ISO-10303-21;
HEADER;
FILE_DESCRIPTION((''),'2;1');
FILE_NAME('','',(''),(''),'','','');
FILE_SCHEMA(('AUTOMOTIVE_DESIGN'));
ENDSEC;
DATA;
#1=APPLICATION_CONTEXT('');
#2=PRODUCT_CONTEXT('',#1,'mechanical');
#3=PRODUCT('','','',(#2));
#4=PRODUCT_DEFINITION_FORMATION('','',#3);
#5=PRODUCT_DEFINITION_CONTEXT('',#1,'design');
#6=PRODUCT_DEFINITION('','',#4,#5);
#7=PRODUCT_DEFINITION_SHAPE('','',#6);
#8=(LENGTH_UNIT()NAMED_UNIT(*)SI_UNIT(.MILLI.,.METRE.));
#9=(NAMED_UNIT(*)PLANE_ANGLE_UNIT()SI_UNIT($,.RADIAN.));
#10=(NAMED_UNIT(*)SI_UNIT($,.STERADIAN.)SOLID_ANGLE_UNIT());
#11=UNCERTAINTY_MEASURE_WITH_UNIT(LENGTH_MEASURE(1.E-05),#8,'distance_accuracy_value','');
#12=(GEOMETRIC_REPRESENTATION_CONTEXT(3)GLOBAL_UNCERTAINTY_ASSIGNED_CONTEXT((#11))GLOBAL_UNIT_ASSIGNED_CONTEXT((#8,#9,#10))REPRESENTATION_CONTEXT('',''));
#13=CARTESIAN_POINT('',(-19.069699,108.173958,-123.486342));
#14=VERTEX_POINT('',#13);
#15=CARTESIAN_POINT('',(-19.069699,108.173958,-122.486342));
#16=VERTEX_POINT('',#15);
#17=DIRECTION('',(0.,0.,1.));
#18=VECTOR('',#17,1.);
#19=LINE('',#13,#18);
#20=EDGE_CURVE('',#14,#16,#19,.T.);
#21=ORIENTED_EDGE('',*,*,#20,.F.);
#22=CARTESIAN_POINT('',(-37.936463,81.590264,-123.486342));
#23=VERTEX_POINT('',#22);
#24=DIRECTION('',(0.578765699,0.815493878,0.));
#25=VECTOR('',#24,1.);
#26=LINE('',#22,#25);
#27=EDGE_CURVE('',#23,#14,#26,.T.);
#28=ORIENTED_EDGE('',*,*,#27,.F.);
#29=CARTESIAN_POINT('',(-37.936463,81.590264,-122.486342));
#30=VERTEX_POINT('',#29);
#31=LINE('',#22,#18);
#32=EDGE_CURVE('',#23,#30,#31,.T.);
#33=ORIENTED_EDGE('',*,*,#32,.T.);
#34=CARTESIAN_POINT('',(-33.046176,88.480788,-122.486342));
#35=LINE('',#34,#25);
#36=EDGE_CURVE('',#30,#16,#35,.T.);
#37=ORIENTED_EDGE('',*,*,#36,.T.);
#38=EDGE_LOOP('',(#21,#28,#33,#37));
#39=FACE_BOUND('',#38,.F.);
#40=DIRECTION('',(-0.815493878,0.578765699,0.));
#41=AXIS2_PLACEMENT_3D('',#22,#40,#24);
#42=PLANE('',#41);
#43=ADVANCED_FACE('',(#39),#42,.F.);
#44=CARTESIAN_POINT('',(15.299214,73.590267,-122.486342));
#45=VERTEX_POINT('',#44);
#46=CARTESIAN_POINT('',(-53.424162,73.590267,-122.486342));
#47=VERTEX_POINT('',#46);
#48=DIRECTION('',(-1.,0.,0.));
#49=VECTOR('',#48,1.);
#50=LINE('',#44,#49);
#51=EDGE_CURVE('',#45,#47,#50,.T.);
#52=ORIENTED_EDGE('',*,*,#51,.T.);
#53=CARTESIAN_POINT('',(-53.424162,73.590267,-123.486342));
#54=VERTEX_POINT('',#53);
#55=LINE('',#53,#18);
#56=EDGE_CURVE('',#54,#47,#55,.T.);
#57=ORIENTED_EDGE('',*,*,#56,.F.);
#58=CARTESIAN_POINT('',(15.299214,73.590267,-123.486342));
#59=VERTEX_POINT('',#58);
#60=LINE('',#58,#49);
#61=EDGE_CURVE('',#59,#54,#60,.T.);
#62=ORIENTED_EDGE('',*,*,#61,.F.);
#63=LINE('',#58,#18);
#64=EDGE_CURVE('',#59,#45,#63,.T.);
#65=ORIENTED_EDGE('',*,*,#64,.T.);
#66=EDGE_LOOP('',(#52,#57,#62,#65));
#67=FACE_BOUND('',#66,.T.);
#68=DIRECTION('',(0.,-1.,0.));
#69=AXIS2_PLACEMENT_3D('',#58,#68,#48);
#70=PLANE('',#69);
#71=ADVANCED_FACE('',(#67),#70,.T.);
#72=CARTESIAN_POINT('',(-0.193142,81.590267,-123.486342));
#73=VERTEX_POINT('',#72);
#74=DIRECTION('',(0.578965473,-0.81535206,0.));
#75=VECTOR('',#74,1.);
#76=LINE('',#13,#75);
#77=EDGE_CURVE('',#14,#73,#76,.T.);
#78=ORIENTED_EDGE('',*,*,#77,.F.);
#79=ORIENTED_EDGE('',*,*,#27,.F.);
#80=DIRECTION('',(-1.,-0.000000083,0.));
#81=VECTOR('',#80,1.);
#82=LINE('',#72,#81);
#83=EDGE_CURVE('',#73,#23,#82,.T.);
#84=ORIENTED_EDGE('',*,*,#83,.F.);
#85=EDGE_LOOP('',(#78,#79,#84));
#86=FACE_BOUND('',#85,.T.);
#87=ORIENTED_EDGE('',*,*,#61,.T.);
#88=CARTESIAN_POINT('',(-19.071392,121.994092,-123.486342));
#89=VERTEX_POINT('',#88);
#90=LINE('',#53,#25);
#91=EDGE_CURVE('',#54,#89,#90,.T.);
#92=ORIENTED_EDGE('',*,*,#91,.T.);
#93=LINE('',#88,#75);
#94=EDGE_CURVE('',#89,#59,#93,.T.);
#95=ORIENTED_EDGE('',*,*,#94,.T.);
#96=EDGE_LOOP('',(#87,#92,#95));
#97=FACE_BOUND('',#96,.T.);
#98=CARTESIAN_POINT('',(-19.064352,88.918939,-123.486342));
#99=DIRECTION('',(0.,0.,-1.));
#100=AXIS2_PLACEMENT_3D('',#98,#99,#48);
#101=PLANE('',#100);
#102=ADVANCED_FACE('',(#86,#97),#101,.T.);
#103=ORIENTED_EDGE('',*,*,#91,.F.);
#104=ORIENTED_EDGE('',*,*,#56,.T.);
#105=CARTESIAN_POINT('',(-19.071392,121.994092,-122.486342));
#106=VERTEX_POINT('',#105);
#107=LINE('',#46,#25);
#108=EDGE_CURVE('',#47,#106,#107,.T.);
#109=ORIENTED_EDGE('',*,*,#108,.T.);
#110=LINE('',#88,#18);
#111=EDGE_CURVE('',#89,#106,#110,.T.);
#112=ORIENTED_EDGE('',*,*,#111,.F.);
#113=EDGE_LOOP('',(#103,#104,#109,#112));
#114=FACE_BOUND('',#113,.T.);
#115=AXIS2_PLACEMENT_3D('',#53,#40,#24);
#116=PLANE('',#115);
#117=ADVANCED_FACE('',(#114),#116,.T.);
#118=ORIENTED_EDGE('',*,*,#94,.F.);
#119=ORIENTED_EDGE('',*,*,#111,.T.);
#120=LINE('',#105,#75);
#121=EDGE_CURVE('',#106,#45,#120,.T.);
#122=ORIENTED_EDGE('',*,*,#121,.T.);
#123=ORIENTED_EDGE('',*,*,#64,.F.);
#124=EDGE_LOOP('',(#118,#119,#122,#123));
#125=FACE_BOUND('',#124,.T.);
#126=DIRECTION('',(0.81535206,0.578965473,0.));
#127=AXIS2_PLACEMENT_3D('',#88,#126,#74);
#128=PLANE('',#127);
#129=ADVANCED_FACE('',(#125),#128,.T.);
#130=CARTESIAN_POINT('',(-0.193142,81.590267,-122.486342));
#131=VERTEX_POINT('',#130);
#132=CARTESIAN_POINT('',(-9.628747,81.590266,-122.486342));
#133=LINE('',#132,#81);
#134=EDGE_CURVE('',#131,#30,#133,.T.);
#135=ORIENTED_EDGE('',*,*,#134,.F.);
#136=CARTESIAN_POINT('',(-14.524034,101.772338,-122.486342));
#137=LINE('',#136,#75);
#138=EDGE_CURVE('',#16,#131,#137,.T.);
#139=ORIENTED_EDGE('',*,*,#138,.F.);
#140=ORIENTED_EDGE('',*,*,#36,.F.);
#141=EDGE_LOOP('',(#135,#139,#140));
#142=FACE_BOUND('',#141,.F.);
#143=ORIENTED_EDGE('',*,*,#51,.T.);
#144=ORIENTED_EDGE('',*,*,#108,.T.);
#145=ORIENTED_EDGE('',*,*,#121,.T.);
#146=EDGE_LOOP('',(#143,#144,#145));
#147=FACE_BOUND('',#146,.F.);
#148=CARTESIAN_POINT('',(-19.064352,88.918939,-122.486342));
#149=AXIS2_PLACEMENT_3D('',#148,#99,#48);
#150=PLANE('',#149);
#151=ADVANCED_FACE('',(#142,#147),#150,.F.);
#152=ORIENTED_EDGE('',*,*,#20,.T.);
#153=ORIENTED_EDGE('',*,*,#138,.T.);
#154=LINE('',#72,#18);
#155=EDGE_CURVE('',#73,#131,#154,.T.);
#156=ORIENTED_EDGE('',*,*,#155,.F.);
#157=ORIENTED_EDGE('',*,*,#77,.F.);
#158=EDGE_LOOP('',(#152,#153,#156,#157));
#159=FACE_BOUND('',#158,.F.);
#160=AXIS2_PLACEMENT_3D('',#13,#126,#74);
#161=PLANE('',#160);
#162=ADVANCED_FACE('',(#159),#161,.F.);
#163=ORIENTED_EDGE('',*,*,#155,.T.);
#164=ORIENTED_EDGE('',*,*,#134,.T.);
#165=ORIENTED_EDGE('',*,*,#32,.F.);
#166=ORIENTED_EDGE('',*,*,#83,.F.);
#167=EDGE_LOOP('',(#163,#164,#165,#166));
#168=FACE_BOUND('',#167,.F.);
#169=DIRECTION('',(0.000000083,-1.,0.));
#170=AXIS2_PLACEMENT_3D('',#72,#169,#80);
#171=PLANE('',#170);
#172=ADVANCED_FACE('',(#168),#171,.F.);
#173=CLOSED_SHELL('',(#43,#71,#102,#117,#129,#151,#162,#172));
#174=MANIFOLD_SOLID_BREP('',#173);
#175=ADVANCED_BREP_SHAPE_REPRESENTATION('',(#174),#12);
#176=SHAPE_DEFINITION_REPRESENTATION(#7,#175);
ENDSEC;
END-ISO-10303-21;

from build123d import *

# Parameters (mm, degrees)
EXTRUSION007_DEPTH = 57.9662962441
EXTRUSION006_DEPTH = 1


with BuildPart() as extrusion007:
    # Wire001 → Extrusion007 (new body)
    with BuildSketch(Plane(origin=(-19.0696986475, 108.1739584895, -123.4863420229), x_dir=(1, 0, 0), z_dir=(0, 0, -1))):
        Polygon((0, 0), (18.8765567724, 26.5836913795), (-18.8667640129, 26.5836945158), align=None)
    extrude(amount=-EXTRUSION007_DEPTH)


with BuildPart() as cut:
    # Wire → Extrusion006 (new body)
    with BuildSketch(Plane(origin=(15.2992136515, 73.5902667511, -123.4863420229), x_dir=(1, 0, 0), z_dir=(0, 0, 1))):
        Polygon((0, 0), (-68.7233756416, 0), (-34.3706052198, 48.4038255867), align=None)
    extrude(amount=EXTRUSION006_DEPTH)

    # Cut: cut Extrusion007
    add(extrusion007.part, mode=Mode.SUBTRACT)


solid = cut.part
